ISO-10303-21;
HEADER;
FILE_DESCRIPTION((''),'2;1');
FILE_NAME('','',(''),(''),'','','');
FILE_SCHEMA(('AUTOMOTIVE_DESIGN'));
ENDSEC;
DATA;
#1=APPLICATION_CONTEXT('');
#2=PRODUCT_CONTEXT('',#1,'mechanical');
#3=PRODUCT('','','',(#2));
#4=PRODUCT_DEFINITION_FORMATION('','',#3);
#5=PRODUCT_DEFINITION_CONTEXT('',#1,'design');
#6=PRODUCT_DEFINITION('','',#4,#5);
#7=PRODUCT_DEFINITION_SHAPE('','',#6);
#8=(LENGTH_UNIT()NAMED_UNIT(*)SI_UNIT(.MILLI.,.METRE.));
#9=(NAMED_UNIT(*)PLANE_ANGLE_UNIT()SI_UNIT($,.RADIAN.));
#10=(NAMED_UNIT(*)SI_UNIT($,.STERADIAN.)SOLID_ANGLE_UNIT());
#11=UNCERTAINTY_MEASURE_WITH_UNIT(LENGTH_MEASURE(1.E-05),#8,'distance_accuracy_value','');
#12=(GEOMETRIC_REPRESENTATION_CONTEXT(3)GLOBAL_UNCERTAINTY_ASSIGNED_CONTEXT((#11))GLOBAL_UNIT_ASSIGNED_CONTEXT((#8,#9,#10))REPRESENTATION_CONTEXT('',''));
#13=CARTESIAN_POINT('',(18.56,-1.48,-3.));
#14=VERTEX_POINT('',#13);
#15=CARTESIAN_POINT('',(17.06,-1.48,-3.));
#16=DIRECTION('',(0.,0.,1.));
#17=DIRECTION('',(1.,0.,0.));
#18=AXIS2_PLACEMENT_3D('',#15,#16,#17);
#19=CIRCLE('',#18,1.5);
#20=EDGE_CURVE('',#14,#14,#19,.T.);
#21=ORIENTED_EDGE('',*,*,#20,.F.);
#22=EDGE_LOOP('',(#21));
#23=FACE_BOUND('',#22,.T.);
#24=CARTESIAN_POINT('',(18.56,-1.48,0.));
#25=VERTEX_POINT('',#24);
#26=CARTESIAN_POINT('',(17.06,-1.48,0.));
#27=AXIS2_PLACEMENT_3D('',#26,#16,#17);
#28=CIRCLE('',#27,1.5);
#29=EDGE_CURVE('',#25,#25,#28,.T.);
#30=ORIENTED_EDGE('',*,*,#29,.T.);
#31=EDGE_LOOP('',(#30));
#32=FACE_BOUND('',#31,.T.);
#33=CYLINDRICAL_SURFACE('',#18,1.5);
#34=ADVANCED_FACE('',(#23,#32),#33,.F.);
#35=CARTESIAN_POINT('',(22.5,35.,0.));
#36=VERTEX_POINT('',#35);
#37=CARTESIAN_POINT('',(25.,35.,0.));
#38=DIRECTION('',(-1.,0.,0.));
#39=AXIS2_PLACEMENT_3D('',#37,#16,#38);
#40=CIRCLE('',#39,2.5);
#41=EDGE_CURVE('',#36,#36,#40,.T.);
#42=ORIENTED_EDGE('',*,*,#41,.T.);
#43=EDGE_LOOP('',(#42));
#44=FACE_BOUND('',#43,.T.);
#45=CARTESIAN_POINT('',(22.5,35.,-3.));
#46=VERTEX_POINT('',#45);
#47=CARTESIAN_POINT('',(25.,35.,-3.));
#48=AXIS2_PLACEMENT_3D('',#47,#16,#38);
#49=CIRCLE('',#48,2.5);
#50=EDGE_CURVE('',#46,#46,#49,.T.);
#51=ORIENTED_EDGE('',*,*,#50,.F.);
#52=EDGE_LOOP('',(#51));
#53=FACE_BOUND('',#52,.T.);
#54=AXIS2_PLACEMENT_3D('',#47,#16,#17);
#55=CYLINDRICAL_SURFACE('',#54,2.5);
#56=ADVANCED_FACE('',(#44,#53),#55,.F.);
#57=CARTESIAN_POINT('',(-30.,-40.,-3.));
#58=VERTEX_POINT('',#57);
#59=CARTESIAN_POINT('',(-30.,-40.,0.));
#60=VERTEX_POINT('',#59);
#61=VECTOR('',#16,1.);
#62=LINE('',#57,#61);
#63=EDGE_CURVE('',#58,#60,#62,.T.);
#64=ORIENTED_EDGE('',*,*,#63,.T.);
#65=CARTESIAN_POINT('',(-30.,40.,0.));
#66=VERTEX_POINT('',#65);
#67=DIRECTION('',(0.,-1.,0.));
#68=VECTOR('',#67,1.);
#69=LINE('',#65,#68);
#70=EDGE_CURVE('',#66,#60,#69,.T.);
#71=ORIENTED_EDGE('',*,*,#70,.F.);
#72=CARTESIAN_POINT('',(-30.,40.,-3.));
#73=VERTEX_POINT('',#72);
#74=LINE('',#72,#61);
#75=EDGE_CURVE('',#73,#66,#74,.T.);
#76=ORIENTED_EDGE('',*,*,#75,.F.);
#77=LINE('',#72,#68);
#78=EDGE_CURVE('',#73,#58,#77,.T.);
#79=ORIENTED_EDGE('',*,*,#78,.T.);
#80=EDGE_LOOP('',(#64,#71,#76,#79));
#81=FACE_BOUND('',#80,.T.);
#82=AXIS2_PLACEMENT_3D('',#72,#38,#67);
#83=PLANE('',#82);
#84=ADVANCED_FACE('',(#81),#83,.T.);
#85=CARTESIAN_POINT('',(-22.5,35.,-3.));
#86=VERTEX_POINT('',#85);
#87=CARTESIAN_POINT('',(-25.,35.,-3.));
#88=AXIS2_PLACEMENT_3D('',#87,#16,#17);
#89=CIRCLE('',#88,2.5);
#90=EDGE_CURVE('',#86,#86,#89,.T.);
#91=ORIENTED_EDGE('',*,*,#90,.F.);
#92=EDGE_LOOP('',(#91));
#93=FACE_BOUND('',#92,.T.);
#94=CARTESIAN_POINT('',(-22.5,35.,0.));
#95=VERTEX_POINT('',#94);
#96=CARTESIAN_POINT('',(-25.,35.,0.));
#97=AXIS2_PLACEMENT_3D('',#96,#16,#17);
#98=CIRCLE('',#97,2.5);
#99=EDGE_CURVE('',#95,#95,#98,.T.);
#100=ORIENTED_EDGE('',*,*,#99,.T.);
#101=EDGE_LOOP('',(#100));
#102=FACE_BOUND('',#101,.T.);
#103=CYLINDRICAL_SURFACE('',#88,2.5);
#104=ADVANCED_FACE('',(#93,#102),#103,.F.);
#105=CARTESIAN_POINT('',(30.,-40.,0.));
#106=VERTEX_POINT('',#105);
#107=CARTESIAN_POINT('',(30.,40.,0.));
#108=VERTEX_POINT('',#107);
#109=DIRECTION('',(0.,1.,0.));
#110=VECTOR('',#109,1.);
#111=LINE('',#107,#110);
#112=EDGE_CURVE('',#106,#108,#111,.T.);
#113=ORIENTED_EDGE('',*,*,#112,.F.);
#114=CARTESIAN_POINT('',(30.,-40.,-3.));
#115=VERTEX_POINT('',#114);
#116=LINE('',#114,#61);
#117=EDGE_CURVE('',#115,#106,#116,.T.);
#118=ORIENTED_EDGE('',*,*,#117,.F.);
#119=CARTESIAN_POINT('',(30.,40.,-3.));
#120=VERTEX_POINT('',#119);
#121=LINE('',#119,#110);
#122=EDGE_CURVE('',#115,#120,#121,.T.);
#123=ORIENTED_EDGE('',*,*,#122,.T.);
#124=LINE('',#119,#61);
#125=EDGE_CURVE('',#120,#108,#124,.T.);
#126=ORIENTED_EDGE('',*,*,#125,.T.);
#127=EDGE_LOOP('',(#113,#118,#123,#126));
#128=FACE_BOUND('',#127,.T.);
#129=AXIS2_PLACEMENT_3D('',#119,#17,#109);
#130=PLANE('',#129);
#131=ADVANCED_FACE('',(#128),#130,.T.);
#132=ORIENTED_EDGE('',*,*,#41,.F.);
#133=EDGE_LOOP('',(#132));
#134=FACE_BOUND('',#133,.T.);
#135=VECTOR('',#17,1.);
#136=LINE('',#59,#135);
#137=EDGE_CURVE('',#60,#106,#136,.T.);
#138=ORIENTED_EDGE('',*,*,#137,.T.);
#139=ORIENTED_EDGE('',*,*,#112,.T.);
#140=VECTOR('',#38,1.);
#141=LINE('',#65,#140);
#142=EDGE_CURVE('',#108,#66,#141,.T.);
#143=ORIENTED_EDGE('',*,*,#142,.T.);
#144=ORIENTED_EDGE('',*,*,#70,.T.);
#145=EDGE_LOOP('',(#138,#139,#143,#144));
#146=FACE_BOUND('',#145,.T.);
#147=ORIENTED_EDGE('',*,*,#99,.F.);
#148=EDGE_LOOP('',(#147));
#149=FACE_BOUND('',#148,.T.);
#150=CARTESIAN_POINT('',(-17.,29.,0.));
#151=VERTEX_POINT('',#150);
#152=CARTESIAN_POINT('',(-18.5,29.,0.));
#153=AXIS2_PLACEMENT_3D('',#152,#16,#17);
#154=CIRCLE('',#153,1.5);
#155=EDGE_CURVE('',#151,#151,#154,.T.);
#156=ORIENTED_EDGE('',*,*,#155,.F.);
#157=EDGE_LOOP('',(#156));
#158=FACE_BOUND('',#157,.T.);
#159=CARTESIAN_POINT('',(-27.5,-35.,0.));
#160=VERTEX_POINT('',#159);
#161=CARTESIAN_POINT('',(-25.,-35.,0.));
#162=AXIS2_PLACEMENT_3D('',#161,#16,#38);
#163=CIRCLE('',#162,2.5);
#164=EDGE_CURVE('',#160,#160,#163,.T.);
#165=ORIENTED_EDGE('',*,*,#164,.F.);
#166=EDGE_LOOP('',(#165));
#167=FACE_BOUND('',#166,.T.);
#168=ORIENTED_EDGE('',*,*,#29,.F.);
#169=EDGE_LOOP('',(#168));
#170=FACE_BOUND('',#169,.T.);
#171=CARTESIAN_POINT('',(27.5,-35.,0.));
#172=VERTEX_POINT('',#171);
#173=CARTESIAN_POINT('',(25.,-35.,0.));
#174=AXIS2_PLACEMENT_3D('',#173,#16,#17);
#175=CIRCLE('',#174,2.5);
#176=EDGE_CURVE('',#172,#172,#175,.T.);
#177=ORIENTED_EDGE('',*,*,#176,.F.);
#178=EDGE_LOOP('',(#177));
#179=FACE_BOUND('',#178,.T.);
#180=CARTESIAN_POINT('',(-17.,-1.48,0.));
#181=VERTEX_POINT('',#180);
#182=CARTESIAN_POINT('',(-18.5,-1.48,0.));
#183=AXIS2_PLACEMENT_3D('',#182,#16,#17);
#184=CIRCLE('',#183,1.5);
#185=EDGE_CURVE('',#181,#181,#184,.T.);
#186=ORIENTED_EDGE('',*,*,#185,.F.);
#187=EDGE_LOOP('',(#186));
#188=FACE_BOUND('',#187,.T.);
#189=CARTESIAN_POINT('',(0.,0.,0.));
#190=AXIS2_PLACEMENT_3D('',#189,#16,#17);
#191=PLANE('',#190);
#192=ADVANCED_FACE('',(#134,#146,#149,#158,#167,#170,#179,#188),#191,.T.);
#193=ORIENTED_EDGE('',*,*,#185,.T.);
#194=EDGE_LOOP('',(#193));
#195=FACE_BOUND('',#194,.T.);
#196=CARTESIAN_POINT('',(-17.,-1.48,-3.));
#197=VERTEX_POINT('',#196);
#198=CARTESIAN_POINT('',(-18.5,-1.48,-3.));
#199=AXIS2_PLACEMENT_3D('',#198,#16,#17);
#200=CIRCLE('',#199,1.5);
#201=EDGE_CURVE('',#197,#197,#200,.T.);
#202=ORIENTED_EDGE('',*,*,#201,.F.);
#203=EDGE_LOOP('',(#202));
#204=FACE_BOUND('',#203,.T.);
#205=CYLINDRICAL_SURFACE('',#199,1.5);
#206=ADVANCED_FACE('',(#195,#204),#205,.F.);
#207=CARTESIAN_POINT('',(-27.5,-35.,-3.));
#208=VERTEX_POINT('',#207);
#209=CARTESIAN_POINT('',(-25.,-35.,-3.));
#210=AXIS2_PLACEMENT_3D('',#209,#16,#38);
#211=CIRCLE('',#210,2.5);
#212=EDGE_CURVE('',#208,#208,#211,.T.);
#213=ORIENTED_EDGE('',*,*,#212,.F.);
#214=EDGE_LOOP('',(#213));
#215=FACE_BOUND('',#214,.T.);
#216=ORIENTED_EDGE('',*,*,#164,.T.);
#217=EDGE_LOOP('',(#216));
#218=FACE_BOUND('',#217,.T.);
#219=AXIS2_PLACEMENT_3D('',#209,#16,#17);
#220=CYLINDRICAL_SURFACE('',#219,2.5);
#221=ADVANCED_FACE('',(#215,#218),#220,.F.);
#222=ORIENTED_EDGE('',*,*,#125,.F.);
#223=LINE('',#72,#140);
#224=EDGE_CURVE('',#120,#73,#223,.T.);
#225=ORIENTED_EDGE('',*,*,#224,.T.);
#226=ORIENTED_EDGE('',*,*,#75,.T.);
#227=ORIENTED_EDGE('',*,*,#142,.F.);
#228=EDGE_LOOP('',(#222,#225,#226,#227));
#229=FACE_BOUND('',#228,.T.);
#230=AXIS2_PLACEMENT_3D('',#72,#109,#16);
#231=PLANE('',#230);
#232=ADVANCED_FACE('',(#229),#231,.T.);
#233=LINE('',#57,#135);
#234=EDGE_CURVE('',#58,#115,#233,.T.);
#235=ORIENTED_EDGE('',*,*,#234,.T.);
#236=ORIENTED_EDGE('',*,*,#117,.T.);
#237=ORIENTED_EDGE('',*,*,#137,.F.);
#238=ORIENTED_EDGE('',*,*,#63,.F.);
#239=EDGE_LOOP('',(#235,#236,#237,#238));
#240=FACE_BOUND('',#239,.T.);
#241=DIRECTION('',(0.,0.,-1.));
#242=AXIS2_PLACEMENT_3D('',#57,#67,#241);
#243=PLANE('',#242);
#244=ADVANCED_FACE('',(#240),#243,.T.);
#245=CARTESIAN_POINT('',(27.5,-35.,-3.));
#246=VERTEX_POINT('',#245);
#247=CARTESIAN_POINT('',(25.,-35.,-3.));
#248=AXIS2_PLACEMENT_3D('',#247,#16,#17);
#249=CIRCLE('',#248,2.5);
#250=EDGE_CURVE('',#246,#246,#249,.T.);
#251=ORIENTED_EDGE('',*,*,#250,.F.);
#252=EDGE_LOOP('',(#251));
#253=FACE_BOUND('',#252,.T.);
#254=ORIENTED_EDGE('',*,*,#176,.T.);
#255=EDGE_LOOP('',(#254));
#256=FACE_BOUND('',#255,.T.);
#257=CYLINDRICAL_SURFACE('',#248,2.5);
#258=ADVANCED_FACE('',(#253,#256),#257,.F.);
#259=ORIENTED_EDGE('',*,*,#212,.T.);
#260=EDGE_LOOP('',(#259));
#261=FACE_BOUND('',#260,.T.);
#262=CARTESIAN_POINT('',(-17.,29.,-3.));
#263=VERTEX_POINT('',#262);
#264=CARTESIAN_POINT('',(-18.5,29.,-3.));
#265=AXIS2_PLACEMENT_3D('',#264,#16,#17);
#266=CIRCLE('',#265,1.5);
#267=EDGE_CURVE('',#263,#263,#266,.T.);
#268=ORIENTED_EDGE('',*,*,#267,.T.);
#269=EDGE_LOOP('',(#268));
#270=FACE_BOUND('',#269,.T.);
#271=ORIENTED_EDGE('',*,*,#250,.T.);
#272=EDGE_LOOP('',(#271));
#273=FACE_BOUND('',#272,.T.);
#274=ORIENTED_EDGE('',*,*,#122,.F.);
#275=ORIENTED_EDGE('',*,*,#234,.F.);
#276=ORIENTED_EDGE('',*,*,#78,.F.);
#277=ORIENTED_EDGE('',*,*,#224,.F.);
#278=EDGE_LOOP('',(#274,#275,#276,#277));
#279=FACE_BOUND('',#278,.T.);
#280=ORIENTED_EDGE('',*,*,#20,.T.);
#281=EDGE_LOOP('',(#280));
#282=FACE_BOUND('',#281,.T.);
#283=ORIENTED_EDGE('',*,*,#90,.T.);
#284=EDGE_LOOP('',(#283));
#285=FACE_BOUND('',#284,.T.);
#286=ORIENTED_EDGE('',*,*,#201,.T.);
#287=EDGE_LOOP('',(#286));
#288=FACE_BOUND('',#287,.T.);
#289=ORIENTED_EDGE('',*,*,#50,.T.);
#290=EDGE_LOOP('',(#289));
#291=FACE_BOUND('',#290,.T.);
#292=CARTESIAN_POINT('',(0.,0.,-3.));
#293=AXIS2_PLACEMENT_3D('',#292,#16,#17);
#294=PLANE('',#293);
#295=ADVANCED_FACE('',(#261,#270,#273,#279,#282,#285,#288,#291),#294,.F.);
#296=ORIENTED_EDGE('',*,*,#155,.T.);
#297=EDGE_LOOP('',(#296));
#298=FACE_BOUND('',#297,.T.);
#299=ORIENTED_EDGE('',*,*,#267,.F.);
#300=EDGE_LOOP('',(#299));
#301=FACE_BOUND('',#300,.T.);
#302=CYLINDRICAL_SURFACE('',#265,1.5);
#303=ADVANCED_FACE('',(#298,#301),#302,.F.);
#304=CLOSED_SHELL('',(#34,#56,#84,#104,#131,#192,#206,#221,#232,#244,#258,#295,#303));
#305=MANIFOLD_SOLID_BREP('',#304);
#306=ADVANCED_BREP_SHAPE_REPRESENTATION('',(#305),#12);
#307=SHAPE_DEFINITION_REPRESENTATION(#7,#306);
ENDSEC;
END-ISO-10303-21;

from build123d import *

# Parameters (mm, degrees)
SKETCH1_W           = 60
SKETCH1_H           = 80
BOSS_EXTRUDE1_DEPTH = 3
SKETCH2_R           = 2.5
CUT_EXTRUDE1_DEPTH  = 3
SKETCH3_R           = 1.5
CUT_EXTRUDE2_DEPTH  = 3


with BuildPart() as part:
    # Sketch1 → Boss-Extrude1 (new body)
    with BuildSketch(Plane.XY):
        Rectangle(SKETCH1_W, SKETCH1_H)
    extrude(amount=-BOSS_EXTRUDE1_DEPTH)

    # Sketch2 → Cut-Extrude1 (cut)
    with BuildSketch(Plane.XY):
        with Locations((-25, 35)):
            Circle(SKETCH2_R)
        with Locations((-25, -35)):
            Circle(SKETCH2_R)
        with Locations((25, -35)):
            Circle(SKETCH2_R)
        with Locations((25, 35)):
            Circle(SKETCH2_R)
    extrude(amount=-CUT_EXTRUDE1_DEPTH, mode=Mode.SUBTRACT)

    # Sketch3 → Cut-Extrude2 (cut)
    with BuildSketch(Plane.XY):
        with Locations((-18.5, 29)):
            Circle(SKETCH3_R)
        with Locations((-18.5, -1.48)):
            Circle(SKETCH3_R)
        with Locations((17.06, -1.48)):
            Circle(SKETCH3_R)
    extrude(amount=-CUT_EXTRUDE2_DEPTH, mode=Mode.SUBTRACT)


solid = part.part
